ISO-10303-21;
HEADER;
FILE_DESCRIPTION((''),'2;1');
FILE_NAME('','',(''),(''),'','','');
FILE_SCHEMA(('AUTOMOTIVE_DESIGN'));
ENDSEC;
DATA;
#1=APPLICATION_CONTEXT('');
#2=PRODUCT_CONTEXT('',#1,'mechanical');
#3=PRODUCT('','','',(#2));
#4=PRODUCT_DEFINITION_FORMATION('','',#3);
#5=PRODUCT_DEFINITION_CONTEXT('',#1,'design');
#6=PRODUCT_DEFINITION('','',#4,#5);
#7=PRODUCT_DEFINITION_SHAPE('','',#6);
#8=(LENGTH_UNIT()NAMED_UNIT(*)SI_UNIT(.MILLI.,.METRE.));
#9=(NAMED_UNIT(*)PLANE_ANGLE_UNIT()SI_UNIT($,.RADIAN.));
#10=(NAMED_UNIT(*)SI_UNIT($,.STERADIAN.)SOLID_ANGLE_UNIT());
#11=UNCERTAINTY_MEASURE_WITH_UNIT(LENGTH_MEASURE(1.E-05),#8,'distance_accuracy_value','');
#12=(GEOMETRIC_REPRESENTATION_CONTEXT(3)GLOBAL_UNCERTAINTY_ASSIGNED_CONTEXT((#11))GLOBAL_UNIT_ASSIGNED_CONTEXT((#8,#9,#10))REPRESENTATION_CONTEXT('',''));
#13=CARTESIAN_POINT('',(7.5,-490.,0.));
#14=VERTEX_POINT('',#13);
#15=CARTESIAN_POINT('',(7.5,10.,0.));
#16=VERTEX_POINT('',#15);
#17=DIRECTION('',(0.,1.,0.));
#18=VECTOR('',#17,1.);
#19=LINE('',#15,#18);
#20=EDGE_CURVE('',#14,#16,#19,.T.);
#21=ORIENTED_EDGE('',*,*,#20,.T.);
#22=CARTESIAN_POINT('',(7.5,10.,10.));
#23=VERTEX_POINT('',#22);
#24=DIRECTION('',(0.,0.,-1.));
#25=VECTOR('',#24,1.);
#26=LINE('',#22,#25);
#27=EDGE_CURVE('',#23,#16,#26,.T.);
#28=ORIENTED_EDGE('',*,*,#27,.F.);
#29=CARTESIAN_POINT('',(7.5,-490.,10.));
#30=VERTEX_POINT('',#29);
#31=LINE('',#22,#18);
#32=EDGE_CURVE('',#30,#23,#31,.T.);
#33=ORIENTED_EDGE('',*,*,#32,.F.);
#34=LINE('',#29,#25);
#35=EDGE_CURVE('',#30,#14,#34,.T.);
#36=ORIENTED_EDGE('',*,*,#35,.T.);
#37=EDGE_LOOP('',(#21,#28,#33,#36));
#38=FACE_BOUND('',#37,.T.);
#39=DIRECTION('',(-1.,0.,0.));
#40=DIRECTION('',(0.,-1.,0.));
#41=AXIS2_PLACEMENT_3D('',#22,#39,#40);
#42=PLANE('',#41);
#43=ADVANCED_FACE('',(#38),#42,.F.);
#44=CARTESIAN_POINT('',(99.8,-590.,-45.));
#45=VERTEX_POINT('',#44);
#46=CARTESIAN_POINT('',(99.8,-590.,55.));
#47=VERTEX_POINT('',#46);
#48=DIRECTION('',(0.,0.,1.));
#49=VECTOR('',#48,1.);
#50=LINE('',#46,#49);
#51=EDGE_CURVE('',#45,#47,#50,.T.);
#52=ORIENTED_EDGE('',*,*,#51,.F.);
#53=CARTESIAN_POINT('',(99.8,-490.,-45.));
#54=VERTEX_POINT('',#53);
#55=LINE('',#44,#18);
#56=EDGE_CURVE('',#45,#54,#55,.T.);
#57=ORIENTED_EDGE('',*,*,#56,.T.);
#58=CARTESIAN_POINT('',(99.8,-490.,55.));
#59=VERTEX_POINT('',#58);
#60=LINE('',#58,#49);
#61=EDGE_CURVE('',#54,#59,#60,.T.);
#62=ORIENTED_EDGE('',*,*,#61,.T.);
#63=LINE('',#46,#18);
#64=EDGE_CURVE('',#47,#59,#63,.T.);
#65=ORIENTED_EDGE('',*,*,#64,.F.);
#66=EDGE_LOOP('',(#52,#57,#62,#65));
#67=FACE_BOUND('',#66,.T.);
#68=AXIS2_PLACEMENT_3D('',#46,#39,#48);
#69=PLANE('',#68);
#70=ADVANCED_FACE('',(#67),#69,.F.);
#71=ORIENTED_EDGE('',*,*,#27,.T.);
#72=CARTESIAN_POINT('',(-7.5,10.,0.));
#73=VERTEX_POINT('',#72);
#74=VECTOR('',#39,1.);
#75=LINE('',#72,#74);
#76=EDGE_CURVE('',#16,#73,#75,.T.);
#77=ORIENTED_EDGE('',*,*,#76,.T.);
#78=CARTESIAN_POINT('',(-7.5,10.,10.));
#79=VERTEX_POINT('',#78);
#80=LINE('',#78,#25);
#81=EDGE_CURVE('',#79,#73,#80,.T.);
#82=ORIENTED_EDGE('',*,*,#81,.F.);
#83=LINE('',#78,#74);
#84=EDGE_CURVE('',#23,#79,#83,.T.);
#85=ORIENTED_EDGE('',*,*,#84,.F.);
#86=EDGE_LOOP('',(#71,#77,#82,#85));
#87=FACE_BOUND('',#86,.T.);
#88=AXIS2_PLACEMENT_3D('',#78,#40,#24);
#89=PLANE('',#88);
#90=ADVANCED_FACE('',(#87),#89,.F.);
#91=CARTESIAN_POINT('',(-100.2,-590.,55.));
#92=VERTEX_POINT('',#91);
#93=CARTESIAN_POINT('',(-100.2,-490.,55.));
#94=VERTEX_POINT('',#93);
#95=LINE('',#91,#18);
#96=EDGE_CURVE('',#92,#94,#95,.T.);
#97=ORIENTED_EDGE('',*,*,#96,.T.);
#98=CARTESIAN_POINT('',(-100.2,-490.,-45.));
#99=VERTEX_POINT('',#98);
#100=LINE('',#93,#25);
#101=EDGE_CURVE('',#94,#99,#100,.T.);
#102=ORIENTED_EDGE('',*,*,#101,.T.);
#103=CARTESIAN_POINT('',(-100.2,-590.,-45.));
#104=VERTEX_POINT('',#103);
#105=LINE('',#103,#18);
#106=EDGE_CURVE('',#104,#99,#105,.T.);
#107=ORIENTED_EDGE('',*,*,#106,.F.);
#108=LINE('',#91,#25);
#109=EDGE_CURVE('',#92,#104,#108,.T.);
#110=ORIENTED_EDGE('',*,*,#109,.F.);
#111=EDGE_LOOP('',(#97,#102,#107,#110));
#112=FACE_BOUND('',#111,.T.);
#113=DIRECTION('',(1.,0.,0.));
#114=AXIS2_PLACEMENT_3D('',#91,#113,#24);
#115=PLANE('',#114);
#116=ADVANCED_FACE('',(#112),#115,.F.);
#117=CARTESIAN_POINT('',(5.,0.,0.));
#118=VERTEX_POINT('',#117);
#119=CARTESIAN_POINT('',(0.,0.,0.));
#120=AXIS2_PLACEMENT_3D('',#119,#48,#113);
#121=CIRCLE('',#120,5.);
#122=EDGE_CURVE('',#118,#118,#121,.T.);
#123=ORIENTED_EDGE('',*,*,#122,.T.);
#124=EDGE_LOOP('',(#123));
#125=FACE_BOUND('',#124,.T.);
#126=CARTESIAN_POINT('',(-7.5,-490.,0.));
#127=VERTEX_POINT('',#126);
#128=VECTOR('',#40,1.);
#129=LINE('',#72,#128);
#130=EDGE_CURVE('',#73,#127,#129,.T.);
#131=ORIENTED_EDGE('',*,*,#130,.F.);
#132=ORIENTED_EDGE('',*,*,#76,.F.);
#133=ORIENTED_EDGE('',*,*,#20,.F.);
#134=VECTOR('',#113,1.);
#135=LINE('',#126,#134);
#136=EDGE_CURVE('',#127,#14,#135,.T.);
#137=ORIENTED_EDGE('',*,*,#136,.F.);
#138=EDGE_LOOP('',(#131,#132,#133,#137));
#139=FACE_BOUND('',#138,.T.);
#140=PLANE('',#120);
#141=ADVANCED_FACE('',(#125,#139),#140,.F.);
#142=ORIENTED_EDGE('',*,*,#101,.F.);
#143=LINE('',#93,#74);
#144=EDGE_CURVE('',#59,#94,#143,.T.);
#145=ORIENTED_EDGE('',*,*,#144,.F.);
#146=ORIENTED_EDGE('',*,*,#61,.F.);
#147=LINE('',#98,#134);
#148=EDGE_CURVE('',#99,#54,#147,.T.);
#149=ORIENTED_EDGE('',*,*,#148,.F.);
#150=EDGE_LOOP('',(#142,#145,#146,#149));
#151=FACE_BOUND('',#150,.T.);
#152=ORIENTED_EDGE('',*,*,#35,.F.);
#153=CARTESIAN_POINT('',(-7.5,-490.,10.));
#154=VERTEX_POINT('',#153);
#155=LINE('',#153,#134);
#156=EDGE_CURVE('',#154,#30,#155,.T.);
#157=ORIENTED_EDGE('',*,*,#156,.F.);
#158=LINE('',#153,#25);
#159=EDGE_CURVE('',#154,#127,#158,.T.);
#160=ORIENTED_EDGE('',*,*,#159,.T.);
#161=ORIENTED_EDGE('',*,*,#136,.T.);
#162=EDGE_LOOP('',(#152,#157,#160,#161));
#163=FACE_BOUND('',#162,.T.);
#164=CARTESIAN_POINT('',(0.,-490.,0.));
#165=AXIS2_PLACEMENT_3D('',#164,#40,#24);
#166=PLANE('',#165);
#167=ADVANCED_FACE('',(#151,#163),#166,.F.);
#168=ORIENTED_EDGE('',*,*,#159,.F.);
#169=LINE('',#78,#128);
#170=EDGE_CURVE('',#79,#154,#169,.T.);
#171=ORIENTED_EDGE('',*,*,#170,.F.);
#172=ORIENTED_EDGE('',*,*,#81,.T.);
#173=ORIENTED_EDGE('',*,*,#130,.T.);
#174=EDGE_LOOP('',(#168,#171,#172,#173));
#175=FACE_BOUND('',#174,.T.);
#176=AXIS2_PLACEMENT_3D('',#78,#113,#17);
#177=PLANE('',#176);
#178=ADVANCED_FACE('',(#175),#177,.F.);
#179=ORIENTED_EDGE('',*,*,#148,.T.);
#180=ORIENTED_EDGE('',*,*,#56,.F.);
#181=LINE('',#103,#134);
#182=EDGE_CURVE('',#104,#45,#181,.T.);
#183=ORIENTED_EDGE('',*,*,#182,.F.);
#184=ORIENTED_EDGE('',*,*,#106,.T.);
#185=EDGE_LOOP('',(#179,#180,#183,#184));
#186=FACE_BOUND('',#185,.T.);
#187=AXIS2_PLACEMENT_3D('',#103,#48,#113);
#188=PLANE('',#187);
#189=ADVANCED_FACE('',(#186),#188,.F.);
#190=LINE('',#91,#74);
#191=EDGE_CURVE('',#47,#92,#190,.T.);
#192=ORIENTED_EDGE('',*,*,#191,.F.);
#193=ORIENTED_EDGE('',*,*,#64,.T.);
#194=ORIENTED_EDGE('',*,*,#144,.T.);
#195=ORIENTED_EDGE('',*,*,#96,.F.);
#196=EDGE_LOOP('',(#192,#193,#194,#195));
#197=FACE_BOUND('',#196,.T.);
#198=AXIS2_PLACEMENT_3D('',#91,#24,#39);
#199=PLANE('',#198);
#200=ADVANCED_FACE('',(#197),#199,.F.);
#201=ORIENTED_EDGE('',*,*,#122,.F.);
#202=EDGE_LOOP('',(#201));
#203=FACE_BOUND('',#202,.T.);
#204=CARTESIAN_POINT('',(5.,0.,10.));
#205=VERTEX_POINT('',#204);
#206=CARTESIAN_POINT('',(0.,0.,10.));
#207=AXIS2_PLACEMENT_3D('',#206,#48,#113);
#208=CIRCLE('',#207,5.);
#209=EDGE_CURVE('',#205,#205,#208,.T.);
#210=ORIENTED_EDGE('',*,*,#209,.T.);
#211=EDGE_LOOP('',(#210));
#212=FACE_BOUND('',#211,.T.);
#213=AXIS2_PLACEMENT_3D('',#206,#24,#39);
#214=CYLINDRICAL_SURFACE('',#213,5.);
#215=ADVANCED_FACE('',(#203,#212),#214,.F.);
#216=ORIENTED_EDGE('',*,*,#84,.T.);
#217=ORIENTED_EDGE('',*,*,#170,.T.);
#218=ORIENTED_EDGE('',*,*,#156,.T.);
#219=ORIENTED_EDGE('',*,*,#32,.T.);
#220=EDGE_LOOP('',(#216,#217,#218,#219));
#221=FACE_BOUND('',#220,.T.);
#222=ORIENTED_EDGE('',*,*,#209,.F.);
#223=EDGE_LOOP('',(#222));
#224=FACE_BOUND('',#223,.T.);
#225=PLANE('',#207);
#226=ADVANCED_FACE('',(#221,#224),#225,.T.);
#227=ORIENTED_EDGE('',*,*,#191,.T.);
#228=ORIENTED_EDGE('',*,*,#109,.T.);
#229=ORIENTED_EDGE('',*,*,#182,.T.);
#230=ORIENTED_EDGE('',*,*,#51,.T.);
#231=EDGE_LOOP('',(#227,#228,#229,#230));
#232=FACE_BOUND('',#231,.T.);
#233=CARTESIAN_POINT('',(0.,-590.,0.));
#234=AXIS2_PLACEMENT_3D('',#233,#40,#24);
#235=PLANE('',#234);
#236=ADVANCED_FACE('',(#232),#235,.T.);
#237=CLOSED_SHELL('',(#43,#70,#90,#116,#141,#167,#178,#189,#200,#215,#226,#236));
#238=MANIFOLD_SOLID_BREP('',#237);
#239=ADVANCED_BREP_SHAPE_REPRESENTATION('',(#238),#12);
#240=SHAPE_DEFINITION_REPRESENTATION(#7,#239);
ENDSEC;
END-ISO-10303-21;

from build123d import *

# Parameters (mm, degrees)
SKETCH1_W           = 15
SKETCH1_H           = 500
SKETCH1_R           = 5
BOSS_EXTRUDE1_DEPTH = 10
SKETCH2_W           = 200
SKETCH2_H           = 100
BOSS_EXTRUDE2_DEPTH = 100


with BuildPart() as part:
    # Sketch1 → Boss-Extrude1 (new body)
    with BuildSketch(Plane.XY):
        with Locations((0, -240)):
            Rectangle(SKETCH1_W, SKETCH1_H)
        Circle(SKETCH1_R, mode=Mode.SUBTRACT)
    extrude(amount=BOSS_EXTRUDE1_DEPTH)

    # Sketch2 → Boss-Extrude2 (add)
    with BuildSketch(Plane.XZ.offset(490)):
        with Locations((-0.2, 5)):
            Rectangle(SKETCH2_W, SKETCH2_H)
    extrude(amount=BOSS_EXTRUDE2_DEPTH)


solid = part.part
